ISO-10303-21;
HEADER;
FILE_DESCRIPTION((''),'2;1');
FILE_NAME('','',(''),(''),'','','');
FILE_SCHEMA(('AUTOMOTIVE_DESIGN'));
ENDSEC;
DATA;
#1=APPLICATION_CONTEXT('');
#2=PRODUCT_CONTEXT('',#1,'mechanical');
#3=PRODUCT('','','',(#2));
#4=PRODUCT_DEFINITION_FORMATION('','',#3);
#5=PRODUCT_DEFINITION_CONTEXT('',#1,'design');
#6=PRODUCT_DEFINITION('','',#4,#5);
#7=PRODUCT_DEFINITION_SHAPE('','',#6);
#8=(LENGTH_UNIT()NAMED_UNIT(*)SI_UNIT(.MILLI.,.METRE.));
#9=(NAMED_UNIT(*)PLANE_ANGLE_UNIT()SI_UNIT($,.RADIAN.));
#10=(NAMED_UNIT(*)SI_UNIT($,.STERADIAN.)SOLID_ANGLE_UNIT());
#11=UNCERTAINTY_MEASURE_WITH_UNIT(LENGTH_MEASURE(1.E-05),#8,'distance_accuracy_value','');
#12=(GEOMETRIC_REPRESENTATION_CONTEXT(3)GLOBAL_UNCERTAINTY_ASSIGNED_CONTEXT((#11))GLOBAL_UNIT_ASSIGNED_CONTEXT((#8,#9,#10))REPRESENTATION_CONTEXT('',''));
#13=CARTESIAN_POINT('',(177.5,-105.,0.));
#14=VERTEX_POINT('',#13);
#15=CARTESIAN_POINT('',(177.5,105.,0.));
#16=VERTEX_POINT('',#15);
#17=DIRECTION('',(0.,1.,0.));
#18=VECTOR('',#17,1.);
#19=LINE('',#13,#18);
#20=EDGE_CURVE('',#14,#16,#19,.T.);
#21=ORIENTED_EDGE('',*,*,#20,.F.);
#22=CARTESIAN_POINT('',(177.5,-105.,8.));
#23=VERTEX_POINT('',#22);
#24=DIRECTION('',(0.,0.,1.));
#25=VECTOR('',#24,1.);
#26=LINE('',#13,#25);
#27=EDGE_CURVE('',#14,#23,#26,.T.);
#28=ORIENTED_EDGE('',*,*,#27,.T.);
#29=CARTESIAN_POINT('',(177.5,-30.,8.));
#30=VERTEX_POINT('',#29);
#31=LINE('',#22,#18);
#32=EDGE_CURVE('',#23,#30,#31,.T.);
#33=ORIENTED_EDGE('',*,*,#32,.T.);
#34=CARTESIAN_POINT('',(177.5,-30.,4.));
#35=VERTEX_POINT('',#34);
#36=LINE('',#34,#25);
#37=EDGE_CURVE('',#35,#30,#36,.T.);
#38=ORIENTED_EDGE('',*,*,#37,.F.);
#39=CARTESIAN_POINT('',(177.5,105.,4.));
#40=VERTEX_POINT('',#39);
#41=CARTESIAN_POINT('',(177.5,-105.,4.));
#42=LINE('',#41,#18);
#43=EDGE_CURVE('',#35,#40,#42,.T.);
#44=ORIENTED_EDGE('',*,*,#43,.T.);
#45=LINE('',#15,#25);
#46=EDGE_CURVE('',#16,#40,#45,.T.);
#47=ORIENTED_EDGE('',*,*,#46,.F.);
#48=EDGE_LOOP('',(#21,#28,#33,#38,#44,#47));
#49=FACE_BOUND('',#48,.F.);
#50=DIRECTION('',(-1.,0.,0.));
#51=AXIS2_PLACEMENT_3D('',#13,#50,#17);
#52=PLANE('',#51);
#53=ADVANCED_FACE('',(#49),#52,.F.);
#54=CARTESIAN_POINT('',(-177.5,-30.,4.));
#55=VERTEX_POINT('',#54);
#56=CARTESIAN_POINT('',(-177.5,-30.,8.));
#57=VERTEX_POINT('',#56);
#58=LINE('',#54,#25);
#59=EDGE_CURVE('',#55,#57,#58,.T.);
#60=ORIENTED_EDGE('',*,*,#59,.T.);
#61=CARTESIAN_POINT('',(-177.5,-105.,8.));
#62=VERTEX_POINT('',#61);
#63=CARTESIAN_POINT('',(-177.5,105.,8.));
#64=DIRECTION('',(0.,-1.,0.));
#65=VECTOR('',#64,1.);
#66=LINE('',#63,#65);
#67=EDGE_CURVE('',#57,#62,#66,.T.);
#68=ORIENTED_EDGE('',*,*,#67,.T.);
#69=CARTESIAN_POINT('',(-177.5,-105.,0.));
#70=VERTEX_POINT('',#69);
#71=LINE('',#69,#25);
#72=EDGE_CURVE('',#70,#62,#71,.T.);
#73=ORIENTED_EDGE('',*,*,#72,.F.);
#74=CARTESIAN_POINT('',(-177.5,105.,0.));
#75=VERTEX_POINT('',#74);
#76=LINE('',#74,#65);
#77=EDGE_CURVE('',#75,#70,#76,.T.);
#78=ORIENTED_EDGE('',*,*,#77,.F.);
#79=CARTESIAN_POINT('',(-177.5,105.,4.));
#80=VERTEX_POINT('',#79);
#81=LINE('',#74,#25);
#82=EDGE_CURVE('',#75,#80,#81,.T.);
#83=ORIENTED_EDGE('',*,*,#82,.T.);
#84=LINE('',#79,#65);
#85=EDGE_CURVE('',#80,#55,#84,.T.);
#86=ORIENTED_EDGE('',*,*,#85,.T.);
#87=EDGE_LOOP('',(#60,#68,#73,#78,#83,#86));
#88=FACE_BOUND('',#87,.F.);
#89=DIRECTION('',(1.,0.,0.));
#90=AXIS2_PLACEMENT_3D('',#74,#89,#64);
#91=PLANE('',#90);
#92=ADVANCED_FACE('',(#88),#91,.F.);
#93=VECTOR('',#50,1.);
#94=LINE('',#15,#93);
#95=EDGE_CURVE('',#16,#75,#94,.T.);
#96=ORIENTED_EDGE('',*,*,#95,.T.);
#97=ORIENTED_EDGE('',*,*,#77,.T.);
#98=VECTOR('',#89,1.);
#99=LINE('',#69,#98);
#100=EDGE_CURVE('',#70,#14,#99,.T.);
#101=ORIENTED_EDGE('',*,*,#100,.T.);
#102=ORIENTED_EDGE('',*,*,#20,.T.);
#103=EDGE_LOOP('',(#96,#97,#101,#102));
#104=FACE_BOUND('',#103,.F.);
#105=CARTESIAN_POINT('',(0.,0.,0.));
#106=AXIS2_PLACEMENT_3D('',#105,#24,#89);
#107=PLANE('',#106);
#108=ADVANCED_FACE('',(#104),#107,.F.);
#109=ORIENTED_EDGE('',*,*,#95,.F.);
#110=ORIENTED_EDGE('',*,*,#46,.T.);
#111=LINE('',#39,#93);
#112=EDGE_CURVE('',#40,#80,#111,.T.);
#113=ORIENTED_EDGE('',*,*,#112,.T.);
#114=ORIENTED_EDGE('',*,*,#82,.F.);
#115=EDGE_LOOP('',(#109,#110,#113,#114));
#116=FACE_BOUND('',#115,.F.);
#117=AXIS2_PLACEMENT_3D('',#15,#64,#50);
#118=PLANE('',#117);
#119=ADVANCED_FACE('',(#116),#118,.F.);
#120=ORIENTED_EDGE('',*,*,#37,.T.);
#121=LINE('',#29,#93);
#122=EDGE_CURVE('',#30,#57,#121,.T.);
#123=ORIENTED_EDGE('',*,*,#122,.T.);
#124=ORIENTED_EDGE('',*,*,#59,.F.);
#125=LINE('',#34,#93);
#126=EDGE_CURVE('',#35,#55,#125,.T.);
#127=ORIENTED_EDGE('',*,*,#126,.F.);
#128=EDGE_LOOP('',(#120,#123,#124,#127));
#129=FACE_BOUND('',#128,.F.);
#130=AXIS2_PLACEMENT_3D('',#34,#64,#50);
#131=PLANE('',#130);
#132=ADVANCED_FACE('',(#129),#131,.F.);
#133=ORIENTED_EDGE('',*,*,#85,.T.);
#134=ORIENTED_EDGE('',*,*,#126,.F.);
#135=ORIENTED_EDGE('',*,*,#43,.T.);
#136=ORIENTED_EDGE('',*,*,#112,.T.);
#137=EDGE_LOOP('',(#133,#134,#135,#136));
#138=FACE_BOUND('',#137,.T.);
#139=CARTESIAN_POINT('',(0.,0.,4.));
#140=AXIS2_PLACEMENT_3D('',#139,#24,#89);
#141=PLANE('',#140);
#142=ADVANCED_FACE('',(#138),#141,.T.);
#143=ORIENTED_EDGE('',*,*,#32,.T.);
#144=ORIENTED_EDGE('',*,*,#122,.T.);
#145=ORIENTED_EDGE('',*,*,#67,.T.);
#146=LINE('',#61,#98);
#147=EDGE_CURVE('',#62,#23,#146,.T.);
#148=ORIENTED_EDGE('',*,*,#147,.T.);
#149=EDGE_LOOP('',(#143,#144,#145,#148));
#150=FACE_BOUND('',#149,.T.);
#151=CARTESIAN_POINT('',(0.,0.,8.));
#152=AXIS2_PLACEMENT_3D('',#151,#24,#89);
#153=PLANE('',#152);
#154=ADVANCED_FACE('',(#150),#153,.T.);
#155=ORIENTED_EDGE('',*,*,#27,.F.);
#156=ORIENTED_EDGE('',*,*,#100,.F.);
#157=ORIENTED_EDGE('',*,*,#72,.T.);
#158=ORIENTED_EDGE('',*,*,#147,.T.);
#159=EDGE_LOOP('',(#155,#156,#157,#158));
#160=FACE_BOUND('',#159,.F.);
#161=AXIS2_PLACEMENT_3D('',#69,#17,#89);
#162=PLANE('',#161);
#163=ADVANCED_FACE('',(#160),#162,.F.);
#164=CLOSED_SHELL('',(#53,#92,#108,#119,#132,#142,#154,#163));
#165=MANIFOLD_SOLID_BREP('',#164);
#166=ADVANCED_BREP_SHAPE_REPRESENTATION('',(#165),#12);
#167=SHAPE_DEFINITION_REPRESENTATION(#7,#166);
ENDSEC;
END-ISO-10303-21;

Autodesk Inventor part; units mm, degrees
ref_plane "YZ Plane" through (0, 0, 0) normal (1, 0, 0) x (0, 1, 0)
ref_plane "XZ Plane" through (0, 0, 0) normal (0, 1, 0) x (-1, 0, 0)
ref_plane "XY Plane" through (0, 0, 0) normal (0, 0, 1) x (1, 0, 0)
sketch "Эскиз1" plane through (0, 0, 0) normal (0, 0, 1) x (1, 0, 0)
  line L0 (-177.5, -105) -> (177.5, -105)
  line L1 (177.5, -105) -> (177.5, 105)
  line L2 (177.5, 105) -> (-177.5, 105)
  line L3 (-177.5, 105) -> (-177.5, -105)
  line L4 (-177.5, -105) -> (177.5, 105) construction
  line L5 (177.5, -105) -> (-177.5, 105) construction
  point P0 (0, 0)
  dimension "d0" = 355
  dimension "d1" = 210
extrude "Выдавливание1" add sketch "Эскиз1" along normal blind 4
sketch "Эскиз2" plane through (0, 0, 4) normal (0, 0, 1) x (1, 0, 0)
  line L0 (-177.5, 105) -> (-177.5, -105) projected
  line L1 (177.5, -105) -> (177.5, 105) projected
  line L2 (-177.5, -105) -> (177.5, -105)
  line L3 (177.5, -105) -> (177.5, -30)
  line L4 (177.5, -30) -> (-177.5, -30)
  line L5 (-177.5, -30) -> (-177.5, -105)
  line L6 (177.5, 105) -> (-177.5, 105) projected
  point P0 (0, 0)
  dimension "d4" = 135
extrude "Выдавливание2" add sketch "Эскиз2" along normal blind 4 contours L4 L1 L2 L0
properties part number "монитор"
